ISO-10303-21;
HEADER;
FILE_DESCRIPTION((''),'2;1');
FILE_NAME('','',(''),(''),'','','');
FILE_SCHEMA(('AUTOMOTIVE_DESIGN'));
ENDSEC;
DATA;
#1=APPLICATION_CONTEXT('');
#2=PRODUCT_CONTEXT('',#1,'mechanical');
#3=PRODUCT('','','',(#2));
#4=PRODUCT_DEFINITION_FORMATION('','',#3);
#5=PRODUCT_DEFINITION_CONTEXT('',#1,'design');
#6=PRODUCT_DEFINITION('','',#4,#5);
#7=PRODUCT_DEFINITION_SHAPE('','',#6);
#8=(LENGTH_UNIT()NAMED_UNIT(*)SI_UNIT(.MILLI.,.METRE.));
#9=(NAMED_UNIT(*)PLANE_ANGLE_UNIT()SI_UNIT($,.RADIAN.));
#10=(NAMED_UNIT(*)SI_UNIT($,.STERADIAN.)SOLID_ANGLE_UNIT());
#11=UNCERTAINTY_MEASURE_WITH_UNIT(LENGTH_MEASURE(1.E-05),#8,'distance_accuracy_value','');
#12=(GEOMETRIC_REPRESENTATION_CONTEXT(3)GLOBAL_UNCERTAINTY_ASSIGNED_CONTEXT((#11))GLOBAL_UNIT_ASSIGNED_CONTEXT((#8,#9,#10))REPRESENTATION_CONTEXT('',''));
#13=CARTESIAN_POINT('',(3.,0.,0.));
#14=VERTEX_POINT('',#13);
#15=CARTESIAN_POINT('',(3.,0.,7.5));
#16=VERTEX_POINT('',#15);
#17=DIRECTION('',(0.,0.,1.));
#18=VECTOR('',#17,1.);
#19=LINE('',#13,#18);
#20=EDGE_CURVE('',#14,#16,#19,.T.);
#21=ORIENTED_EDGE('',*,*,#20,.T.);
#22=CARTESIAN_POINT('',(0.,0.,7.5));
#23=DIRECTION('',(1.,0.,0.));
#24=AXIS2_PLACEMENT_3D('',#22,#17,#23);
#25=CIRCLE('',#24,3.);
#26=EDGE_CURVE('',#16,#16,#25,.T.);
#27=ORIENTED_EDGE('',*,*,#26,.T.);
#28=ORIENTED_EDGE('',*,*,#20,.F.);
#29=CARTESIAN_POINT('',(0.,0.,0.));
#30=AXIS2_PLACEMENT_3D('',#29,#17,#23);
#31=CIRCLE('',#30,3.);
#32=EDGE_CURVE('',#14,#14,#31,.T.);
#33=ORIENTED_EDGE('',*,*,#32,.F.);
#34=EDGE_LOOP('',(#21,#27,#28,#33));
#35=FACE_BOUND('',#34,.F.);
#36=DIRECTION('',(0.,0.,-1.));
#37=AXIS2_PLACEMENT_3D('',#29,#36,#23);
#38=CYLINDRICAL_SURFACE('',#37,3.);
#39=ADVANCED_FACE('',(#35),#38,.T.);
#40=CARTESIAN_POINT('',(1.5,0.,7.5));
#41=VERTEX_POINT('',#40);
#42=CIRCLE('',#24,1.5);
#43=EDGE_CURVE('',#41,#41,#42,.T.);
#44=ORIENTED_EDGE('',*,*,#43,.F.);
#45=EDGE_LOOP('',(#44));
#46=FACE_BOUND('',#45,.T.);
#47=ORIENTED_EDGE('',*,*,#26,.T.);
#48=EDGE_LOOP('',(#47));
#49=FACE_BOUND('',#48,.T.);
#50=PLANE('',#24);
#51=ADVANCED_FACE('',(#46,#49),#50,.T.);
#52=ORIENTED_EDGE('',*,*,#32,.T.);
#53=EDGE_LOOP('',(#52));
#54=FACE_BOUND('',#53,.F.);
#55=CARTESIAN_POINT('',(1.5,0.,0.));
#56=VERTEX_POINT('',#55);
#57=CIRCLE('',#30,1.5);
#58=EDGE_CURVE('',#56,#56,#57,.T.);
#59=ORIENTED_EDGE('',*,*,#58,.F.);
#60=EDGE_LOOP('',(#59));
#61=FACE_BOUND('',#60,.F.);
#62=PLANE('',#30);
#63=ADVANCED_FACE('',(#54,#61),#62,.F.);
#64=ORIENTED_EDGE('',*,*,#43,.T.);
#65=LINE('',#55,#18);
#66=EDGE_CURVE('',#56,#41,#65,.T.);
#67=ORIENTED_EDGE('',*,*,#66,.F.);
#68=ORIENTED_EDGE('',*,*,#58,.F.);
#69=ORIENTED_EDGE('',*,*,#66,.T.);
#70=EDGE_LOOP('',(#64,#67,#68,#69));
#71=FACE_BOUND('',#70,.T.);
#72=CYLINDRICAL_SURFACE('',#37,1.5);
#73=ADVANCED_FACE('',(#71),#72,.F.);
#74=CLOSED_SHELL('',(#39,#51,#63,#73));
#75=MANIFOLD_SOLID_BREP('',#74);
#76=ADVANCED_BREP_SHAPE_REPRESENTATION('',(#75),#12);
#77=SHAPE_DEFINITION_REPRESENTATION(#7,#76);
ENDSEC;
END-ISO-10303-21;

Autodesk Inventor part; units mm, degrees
ref_plane "YZ Plane" through (0, 0, 0) normal (1, 0, 0) x (0, 1, 0)
ref_plane "XZ Plane" through (0, 0, 0) normal (0, 1, 0) x (-1, 0, 0)
ref_plane "XY Plane" through (0, 0, 0) normal (0, 0, 1) x (1, 0, 0)
sketch "スケッチ1" plane through (0, 0, 0) normal (0, 0, 1) x (1, 0, 0)
  circle A0 centre (0, 0) radius 3
  circle A1 centre (0, 0) radius 1.5
  dimension "d0" = 6
  dimension "d1" = 3
extrude "押し出し1" add sketch "スケッチ1" along normal blind 7.5
properties part number "スペーサーm3-7.5　簡易筒型" material "アルミニウム 2014-T4"
